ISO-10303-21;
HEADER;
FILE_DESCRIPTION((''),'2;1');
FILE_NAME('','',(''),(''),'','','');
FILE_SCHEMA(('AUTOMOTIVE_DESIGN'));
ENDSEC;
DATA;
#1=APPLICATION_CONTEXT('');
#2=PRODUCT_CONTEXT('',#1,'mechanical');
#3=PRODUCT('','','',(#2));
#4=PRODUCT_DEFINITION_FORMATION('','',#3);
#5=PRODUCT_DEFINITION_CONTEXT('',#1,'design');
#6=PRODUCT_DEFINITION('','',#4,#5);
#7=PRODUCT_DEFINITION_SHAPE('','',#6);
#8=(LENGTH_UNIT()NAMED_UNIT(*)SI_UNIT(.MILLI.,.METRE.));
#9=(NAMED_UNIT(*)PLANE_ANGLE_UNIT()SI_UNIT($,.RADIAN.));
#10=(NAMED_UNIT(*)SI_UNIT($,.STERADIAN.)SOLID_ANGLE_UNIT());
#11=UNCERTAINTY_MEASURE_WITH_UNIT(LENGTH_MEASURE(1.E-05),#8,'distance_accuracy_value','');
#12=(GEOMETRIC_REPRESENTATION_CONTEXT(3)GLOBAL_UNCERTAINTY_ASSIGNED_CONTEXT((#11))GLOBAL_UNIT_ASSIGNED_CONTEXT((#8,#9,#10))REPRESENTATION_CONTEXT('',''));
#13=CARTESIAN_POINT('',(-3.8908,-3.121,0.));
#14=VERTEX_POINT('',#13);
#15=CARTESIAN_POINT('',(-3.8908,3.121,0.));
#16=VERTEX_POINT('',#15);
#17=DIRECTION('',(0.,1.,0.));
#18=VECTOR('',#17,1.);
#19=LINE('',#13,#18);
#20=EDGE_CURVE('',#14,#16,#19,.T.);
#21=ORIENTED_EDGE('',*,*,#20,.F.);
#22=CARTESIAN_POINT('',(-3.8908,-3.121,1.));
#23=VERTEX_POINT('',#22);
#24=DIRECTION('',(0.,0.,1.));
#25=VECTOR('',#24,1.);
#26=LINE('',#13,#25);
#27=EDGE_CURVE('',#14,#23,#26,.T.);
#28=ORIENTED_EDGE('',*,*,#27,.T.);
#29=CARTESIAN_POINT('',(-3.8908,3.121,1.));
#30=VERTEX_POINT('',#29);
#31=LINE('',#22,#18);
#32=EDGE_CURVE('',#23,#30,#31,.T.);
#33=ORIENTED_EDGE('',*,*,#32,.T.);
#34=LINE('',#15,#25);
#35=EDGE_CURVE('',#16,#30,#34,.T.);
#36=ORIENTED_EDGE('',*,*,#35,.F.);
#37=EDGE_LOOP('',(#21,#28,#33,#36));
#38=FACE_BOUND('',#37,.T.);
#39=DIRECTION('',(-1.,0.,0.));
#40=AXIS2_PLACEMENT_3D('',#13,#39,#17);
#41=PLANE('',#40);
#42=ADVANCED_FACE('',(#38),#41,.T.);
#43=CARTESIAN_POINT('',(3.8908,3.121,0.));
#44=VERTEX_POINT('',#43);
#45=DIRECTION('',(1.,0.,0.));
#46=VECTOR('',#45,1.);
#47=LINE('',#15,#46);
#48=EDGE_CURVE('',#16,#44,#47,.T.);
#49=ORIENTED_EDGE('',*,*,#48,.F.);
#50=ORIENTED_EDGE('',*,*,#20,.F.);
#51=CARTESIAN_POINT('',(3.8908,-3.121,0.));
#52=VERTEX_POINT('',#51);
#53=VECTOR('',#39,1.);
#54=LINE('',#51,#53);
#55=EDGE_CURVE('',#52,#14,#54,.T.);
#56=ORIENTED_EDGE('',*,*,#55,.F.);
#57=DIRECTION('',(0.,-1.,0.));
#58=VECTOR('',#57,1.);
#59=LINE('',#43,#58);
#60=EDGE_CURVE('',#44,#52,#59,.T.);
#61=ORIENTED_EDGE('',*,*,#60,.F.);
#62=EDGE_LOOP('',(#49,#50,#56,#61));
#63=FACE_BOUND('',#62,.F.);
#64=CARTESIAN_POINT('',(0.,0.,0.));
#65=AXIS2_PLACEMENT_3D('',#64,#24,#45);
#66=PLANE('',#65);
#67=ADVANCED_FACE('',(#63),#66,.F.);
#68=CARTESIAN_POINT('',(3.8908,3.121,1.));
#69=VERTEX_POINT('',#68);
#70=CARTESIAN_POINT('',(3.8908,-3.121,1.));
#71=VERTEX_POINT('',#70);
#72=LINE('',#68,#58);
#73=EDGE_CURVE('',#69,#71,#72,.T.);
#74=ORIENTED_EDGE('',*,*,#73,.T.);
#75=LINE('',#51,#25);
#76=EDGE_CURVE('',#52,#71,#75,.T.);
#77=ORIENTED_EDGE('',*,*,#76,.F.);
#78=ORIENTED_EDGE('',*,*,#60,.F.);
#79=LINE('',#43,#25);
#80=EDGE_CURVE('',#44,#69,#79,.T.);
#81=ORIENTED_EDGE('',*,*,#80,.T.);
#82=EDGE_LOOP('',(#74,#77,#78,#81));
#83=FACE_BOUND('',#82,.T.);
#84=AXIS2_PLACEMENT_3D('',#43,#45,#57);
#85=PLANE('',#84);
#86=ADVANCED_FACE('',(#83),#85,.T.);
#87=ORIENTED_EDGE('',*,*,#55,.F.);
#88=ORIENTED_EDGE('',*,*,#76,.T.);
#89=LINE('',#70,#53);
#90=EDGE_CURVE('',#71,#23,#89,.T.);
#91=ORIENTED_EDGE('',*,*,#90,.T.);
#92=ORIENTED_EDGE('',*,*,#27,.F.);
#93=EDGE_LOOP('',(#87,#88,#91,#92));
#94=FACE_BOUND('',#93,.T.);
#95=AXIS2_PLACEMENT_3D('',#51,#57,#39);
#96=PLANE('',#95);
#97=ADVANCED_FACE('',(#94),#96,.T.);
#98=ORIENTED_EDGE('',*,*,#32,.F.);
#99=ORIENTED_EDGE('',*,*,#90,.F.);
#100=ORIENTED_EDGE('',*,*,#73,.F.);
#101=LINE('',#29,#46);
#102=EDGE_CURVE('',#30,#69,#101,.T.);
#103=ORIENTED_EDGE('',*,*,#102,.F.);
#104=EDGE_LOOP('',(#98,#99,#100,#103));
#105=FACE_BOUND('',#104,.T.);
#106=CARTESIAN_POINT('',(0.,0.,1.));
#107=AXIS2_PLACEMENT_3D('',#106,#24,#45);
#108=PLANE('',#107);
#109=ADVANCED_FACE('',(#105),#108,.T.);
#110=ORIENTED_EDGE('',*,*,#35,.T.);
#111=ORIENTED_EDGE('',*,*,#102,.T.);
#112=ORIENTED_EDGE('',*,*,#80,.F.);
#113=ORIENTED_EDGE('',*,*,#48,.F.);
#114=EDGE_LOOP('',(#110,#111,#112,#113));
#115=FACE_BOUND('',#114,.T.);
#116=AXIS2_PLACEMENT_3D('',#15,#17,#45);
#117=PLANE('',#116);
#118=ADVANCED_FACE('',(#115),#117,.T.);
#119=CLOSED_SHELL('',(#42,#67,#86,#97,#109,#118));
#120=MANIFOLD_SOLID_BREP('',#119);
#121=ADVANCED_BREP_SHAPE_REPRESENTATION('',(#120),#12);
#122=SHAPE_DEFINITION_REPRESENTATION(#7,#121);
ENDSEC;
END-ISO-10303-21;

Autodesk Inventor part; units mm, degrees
ref_plane "YZ Plane" through (0, 0, 0) normal (1, 0, 0) x (0, 1, 0)
ref_plane "XZ Plane" through (0, 0, 0) normal (0, 1, 0) x (-1, 0, 0)
ref_plane "XY Plane" through (0, 0, 0) normal (0, 0, 1) x (1, 0, 0)
sketch "TSSOP24, TCA9548APWR_61" plane through (0, 0, 0) normal (0, 0, 1) x (1, 0, 0)
  line L0 (-3.8908, 3.121) -> (3.8908, 3.121)
  line L1 (3.8908, 3.121) -> (3.8908, -3.121)
  line L2 (3.8908, -3.121) -> (-3.8908, -3.121)
  line L3 (-3.8908, -3.121) -> (-3.8908, 3.121)
extrude "Extrusion1" add sketch "TSSOP24, TCA9548APWR_61" along normal blind 1
properties part number "TCA9548APWR"
